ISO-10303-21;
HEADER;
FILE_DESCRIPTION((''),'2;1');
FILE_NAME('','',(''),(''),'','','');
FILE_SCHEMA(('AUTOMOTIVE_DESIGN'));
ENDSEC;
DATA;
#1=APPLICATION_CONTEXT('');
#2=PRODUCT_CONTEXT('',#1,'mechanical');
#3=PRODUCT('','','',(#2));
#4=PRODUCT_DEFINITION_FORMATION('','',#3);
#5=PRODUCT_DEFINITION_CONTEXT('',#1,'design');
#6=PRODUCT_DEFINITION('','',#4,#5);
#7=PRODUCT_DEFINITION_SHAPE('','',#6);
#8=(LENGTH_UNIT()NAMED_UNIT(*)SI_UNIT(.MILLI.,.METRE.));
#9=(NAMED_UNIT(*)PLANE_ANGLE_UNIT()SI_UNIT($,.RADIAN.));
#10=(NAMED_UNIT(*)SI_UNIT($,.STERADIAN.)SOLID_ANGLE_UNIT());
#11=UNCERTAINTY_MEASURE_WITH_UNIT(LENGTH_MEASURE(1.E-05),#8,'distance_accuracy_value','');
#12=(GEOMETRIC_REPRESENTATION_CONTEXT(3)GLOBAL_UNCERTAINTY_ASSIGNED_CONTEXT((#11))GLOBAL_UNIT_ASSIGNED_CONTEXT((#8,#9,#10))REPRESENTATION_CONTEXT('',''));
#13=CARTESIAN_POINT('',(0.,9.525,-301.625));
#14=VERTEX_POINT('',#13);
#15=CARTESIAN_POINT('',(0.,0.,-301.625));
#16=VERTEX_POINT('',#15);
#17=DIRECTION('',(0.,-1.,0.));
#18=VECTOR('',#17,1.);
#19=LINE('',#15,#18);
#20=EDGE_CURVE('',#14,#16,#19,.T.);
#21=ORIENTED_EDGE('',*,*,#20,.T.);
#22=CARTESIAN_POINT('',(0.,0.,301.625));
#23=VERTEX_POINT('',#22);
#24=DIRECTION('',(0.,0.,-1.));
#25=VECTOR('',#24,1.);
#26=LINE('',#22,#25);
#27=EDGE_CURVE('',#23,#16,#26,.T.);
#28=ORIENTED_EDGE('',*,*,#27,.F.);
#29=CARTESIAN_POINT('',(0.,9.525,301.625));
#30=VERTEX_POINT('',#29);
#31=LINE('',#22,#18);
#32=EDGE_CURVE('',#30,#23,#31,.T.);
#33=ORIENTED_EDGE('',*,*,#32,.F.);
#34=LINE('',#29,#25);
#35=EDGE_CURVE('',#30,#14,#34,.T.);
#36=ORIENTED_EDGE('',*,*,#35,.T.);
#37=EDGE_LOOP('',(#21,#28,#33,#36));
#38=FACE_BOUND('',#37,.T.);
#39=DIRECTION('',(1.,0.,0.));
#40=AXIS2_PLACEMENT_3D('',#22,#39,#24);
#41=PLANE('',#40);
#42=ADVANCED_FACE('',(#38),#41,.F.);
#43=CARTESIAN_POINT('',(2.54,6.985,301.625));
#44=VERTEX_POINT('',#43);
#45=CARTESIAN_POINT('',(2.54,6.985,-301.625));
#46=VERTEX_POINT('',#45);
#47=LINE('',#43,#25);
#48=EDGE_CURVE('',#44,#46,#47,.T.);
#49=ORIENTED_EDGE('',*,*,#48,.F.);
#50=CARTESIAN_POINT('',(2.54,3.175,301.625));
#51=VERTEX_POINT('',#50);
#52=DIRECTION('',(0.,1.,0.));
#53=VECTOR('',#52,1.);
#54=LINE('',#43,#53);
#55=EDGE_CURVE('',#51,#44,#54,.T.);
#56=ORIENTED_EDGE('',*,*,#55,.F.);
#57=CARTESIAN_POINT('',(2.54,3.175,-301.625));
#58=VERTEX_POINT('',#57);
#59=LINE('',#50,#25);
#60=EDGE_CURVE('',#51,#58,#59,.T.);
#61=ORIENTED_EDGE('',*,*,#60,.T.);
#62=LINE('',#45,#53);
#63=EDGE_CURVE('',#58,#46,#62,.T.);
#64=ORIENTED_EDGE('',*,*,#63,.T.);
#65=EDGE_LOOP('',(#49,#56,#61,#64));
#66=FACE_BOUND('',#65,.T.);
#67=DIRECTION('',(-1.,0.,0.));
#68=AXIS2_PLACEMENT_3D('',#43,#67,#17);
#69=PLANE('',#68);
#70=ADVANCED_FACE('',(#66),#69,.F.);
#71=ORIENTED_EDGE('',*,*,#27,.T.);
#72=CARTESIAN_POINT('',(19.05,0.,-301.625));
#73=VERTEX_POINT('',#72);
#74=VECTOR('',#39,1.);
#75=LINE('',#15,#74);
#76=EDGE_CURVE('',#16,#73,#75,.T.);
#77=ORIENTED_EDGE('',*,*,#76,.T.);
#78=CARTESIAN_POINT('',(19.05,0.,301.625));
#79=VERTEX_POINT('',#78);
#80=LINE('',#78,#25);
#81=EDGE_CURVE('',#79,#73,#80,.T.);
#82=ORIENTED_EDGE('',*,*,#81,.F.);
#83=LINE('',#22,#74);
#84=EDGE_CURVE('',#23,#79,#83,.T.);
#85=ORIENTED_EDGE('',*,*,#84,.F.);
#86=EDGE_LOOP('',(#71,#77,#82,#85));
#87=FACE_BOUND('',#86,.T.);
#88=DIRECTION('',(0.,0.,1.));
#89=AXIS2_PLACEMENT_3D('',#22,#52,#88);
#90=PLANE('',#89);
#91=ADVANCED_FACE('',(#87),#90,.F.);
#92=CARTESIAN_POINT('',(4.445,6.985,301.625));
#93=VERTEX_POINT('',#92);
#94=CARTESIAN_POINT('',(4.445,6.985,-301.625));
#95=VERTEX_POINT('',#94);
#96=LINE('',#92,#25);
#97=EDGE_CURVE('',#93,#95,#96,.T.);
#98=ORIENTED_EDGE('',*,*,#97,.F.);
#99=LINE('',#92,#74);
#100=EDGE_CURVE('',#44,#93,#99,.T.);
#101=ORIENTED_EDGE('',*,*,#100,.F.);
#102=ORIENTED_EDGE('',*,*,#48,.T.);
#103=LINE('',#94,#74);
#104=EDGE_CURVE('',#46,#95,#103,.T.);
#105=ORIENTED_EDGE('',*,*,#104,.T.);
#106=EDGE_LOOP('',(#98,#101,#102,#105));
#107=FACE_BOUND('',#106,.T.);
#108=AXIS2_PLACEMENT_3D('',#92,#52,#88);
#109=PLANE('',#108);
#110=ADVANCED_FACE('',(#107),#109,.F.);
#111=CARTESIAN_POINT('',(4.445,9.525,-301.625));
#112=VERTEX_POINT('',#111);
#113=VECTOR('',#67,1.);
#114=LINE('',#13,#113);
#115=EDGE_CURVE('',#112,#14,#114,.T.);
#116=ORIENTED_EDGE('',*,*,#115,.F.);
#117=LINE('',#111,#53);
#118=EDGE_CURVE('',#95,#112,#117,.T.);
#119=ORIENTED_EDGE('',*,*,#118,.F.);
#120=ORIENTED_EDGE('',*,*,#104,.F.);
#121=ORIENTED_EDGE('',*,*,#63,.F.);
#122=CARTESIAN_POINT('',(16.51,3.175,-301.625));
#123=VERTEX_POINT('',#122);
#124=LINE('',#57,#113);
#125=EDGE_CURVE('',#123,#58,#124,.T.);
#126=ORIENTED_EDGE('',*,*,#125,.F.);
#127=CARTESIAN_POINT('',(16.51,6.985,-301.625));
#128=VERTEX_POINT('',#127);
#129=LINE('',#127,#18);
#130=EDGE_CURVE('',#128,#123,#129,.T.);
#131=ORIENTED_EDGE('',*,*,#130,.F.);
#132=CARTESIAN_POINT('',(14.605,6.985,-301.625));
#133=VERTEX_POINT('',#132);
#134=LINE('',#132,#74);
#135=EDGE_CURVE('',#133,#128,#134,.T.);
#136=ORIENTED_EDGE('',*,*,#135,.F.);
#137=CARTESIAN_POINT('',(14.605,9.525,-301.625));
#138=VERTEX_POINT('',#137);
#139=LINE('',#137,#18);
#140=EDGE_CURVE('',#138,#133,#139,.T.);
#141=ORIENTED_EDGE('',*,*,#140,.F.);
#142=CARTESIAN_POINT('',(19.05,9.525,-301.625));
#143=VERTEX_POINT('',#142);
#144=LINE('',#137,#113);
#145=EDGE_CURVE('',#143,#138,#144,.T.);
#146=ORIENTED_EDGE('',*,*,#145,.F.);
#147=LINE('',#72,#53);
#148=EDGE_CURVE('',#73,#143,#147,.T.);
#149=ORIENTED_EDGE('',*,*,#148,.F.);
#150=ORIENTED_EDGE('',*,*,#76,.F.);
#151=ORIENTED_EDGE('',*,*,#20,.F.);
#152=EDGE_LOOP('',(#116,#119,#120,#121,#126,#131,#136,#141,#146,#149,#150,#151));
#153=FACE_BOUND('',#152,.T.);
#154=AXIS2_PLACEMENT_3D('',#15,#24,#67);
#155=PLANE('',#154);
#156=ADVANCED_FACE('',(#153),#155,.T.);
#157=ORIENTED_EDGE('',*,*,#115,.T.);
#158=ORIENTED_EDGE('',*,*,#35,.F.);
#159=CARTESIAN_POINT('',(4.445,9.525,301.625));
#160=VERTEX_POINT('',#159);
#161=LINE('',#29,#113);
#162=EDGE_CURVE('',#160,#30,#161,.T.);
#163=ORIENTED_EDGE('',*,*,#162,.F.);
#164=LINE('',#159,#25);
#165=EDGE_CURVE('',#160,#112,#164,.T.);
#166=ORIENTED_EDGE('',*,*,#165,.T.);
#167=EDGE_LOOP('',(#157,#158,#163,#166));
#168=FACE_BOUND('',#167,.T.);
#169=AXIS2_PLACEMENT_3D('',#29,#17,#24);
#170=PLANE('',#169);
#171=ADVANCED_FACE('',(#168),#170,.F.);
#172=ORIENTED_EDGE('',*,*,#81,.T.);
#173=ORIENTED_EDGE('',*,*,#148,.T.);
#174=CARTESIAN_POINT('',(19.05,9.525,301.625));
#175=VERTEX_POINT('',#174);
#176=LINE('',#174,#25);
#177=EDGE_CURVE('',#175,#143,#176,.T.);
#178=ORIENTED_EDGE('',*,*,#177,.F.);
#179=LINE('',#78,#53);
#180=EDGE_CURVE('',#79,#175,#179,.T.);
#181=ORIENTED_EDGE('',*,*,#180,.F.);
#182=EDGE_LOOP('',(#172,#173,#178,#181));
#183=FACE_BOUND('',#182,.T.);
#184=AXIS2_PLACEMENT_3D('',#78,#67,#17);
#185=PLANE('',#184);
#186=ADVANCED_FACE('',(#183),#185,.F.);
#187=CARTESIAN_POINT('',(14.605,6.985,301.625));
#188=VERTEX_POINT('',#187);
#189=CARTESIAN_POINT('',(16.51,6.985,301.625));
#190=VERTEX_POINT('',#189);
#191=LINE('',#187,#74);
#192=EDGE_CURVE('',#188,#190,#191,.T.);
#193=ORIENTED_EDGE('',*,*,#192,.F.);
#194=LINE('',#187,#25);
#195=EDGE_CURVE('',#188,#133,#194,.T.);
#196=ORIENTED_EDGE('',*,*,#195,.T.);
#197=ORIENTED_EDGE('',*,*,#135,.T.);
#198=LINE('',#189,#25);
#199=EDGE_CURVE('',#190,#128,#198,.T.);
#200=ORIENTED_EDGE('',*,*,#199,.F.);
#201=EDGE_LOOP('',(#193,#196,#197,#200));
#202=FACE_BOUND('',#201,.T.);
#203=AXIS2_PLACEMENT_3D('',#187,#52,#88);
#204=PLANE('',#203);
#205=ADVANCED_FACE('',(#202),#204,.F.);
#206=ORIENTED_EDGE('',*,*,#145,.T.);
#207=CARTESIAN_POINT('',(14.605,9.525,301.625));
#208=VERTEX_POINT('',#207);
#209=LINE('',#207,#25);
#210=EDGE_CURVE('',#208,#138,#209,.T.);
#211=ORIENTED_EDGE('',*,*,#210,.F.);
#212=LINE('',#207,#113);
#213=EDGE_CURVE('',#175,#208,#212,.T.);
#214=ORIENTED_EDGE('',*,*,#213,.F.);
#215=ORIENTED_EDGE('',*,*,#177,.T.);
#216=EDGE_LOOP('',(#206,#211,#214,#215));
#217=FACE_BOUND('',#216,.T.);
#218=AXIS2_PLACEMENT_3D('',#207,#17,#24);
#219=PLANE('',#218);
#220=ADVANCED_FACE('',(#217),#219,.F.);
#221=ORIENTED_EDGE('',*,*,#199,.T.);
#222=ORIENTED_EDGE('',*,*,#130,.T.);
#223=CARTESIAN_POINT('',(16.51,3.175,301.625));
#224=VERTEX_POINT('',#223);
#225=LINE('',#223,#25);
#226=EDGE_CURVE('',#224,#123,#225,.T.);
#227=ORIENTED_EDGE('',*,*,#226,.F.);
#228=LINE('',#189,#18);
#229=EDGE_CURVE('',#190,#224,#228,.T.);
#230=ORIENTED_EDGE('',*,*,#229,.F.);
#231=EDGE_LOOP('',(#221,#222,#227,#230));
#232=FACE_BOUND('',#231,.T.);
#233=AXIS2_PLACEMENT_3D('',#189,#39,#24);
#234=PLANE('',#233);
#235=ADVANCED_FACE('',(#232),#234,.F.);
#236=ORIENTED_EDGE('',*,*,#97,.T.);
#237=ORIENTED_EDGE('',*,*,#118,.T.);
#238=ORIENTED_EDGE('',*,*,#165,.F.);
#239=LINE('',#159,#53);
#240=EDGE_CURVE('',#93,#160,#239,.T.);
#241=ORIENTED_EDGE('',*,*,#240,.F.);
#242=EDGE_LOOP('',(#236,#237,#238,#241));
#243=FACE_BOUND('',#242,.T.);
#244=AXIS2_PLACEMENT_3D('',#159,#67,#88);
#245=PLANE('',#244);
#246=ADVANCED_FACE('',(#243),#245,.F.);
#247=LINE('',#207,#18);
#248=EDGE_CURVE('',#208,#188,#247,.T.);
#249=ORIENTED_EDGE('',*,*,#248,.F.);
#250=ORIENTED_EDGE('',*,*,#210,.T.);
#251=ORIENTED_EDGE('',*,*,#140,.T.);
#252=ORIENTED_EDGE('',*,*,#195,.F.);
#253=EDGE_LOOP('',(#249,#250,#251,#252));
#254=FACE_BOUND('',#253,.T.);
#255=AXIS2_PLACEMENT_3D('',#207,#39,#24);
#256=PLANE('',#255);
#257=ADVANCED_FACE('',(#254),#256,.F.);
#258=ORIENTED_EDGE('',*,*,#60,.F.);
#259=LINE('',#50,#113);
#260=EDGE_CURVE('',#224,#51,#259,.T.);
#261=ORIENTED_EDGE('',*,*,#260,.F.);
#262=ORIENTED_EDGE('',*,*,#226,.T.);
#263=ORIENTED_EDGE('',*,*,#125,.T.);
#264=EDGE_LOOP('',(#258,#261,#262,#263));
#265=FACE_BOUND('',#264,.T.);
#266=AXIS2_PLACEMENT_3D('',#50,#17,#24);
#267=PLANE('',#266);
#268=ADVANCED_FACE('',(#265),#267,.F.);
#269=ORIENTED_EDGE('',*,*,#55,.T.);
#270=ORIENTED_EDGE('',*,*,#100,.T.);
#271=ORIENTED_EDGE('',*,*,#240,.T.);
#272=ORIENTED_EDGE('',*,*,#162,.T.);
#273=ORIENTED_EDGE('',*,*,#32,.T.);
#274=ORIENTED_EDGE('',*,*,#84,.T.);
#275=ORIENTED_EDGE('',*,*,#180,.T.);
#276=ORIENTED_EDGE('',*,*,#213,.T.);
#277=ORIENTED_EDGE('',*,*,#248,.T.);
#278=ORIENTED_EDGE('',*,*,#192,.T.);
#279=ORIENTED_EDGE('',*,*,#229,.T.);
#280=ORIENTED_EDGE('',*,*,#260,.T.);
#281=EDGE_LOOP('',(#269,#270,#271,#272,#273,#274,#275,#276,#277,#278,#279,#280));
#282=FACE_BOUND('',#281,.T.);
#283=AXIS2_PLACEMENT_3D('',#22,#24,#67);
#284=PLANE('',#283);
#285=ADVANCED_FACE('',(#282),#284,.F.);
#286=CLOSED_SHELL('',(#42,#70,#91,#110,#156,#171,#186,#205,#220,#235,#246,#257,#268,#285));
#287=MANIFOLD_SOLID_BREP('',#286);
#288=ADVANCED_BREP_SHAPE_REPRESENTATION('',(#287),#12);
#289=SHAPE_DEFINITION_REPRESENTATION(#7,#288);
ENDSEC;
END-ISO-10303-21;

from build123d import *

# Parameters (mm, degrees)
BOSS_EXTRUDE1_DEPTH = 301.625


with BuildPart() as part:
    # Sketch2 → Boss-Extrude1 (new, symmetric)
    with BuildSketch(Plane.XY):
        Polygon((4.445, 9.525), (4.445, 6.985), (2.54, 6.985), (2.54, 3.175), (16.51, 3.175), (16.51, 6.985), (14.605, 6.985), (14.605, 9.525), (19.05, 9.525), (19.05, 0), (0, 0), (0, 9.525), align=None)
    extrude(amount=BOSS_EXTRUDE1_DEPTH, both=True)


solid = part.part
